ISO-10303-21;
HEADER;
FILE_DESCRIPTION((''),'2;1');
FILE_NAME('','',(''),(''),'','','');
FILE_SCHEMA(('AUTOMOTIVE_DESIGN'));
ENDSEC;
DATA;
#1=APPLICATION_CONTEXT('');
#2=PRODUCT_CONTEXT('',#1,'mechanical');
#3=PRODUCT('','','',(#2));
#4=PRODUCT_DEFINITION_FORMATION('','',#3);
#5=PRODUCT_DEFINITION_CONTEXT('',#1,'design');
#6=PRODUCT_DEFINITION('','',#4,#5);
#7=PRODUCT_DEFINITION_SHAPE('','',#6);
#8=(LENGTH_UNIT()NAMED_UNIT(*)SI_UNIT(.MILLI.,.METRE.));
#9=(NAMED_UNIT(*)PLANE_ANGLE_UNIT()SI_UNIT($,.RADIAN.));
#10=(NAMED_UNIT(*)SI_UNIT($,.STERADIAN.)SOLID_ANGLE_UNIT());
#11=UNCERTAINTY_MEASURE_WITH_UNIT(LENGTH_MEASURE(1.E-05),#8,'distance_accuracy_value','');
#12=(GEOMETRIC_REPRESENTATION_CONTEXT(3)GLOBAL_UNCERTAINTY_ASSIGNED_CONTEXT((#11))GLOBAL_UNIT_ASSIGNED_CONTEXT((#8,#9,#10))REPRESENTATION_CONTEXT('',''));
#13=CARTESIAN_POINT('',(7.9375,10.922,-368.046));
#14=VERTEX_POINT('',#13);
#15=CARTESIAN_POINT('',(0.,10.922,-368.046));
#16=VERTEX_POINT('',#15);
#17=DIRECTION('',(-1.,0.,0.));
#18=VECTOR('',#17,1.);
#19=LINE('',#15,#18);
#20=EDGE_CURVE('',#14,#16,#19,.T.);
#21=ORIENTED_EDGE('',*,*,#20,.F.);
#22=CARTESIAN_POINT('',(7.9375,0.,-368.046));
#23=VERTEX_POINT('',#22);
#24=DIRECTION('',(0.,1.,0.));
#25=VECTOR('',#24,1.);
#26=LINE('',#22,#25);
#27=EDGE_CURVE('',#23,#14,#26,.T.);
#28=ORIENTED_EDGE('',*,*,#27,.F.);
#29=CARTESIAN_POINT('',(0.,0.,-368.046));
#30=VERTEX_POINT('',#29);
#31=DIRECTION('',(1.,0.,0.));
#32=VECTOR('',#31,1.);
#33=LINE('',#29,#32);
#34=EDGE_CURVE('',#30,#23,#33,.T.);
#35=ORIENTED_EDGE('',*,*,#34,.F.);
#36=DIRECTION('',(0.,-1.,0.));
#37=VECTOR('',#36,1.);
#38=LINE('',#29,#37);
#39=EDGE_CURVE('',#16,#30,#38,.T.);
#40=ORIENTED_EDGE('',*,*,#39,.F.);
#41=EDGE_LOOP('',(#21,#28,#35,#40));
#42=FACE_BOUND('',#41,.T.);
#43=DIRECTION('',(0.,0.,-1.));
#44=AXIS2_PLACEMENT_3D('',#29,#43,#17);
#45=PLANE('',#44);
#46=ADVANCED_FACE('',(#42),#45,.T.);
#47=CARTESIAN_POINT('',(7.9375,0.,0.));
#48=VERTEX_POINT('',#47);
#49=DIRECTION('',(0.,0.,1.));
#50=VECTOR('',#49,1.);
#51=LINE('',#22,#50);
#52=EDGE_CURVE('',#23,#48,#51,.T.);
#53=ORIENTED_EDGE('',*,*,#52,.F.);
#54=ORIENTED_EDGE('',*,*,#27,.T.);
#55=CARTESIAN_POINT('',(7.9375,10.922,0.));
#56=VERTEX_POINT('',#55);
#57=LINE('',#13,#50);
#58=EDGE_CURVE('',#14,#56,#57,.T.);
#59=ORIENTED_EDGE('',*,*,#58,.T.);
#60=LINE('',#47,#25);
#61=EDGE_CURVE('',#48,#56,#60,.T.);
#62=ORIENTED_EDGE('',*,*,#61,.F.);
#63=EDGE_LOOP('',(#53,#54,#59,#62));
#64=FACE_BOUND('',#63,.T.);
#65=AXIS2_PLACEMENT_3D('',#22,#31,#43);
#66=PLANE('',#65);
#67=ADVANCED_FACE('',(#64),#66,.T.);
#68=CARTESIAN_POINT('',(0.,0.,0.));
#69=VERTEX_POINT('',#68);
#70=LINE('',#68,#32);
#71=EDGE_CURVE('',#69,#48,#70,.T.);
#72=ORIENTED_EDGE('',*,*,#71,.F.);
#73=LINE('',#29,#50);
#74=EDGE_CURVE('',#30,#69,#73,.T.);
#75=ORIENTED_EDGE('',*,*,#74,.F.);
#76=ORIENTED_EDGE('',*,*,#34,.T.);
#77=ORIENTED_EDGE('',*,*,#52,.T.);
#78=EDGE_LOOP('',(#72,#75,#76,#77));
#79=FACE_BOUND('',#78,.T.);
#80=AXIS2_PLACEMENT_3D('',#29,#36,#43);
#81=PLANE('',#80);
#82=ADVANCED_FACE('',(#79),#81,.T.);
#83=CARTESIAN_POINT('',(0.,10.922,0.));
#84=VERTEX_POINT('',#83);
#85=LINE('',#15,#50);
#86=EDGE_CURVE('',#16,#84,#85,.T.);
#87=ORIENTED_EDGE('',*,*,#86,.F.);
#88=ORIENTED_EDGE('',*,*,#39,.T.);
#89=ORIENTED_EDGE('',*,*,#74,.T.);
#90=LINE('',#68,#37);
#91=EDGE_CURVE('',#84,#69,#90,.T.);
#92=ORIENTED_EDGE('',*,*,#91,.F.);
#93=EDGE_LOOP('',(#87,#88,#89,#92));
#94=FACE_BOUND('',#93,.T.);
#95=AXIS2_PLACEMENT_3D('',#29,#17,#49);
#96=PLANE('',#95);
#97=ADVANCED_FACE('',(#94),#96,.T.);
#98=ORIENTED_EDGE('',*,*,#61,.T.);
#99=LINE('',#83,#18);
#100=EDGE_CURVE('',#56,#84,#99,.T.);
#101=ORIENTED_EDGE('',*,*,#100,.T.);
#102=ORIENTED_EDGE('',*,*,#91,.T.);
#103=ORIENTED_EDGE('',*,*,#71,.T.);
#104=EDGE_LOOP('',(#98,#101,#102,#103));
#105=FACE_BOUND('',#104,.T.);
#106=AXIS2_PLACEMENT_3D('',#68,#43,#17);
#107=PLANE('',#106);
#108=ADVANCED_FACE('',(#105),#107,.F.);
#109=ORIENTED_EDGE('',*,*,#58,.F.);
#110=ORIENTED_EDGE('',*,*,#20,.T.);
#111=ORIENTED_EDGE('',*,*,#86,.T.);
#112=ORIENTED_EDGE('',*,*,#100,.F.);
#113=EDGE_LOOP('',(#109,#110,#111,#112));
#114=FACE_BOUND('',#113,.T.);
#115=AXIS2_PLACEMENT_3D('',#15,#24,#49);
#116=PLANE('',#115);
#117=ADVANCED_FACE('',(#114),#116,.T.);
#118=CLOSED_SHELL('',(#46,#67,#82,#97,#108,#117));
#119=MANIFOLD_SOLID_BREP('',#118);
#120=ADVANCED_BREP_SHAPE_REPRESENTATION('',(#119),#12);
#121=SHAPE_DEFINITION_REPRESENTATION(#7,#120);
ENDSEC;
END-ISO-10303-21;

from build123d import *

# Parameters (mm, degrees)
SKETCH1_W           = 7.9375
SKETCH1_H           = 10.922
BOSS_EXTRUDE1_DEPTH = 368.046


with BuildPart() as part:
    # Sketch1 → Boss-Extrude1 (new body)
    with BuildSketch(Plane.XY):
        with Locations((3.96875, 5.461)):
            Rectangle(SKETCH1_W, SKETCH1_H)
    extrude(amount=-BOSS_EXTRUDE1_DEPTH)


solid = part.part
